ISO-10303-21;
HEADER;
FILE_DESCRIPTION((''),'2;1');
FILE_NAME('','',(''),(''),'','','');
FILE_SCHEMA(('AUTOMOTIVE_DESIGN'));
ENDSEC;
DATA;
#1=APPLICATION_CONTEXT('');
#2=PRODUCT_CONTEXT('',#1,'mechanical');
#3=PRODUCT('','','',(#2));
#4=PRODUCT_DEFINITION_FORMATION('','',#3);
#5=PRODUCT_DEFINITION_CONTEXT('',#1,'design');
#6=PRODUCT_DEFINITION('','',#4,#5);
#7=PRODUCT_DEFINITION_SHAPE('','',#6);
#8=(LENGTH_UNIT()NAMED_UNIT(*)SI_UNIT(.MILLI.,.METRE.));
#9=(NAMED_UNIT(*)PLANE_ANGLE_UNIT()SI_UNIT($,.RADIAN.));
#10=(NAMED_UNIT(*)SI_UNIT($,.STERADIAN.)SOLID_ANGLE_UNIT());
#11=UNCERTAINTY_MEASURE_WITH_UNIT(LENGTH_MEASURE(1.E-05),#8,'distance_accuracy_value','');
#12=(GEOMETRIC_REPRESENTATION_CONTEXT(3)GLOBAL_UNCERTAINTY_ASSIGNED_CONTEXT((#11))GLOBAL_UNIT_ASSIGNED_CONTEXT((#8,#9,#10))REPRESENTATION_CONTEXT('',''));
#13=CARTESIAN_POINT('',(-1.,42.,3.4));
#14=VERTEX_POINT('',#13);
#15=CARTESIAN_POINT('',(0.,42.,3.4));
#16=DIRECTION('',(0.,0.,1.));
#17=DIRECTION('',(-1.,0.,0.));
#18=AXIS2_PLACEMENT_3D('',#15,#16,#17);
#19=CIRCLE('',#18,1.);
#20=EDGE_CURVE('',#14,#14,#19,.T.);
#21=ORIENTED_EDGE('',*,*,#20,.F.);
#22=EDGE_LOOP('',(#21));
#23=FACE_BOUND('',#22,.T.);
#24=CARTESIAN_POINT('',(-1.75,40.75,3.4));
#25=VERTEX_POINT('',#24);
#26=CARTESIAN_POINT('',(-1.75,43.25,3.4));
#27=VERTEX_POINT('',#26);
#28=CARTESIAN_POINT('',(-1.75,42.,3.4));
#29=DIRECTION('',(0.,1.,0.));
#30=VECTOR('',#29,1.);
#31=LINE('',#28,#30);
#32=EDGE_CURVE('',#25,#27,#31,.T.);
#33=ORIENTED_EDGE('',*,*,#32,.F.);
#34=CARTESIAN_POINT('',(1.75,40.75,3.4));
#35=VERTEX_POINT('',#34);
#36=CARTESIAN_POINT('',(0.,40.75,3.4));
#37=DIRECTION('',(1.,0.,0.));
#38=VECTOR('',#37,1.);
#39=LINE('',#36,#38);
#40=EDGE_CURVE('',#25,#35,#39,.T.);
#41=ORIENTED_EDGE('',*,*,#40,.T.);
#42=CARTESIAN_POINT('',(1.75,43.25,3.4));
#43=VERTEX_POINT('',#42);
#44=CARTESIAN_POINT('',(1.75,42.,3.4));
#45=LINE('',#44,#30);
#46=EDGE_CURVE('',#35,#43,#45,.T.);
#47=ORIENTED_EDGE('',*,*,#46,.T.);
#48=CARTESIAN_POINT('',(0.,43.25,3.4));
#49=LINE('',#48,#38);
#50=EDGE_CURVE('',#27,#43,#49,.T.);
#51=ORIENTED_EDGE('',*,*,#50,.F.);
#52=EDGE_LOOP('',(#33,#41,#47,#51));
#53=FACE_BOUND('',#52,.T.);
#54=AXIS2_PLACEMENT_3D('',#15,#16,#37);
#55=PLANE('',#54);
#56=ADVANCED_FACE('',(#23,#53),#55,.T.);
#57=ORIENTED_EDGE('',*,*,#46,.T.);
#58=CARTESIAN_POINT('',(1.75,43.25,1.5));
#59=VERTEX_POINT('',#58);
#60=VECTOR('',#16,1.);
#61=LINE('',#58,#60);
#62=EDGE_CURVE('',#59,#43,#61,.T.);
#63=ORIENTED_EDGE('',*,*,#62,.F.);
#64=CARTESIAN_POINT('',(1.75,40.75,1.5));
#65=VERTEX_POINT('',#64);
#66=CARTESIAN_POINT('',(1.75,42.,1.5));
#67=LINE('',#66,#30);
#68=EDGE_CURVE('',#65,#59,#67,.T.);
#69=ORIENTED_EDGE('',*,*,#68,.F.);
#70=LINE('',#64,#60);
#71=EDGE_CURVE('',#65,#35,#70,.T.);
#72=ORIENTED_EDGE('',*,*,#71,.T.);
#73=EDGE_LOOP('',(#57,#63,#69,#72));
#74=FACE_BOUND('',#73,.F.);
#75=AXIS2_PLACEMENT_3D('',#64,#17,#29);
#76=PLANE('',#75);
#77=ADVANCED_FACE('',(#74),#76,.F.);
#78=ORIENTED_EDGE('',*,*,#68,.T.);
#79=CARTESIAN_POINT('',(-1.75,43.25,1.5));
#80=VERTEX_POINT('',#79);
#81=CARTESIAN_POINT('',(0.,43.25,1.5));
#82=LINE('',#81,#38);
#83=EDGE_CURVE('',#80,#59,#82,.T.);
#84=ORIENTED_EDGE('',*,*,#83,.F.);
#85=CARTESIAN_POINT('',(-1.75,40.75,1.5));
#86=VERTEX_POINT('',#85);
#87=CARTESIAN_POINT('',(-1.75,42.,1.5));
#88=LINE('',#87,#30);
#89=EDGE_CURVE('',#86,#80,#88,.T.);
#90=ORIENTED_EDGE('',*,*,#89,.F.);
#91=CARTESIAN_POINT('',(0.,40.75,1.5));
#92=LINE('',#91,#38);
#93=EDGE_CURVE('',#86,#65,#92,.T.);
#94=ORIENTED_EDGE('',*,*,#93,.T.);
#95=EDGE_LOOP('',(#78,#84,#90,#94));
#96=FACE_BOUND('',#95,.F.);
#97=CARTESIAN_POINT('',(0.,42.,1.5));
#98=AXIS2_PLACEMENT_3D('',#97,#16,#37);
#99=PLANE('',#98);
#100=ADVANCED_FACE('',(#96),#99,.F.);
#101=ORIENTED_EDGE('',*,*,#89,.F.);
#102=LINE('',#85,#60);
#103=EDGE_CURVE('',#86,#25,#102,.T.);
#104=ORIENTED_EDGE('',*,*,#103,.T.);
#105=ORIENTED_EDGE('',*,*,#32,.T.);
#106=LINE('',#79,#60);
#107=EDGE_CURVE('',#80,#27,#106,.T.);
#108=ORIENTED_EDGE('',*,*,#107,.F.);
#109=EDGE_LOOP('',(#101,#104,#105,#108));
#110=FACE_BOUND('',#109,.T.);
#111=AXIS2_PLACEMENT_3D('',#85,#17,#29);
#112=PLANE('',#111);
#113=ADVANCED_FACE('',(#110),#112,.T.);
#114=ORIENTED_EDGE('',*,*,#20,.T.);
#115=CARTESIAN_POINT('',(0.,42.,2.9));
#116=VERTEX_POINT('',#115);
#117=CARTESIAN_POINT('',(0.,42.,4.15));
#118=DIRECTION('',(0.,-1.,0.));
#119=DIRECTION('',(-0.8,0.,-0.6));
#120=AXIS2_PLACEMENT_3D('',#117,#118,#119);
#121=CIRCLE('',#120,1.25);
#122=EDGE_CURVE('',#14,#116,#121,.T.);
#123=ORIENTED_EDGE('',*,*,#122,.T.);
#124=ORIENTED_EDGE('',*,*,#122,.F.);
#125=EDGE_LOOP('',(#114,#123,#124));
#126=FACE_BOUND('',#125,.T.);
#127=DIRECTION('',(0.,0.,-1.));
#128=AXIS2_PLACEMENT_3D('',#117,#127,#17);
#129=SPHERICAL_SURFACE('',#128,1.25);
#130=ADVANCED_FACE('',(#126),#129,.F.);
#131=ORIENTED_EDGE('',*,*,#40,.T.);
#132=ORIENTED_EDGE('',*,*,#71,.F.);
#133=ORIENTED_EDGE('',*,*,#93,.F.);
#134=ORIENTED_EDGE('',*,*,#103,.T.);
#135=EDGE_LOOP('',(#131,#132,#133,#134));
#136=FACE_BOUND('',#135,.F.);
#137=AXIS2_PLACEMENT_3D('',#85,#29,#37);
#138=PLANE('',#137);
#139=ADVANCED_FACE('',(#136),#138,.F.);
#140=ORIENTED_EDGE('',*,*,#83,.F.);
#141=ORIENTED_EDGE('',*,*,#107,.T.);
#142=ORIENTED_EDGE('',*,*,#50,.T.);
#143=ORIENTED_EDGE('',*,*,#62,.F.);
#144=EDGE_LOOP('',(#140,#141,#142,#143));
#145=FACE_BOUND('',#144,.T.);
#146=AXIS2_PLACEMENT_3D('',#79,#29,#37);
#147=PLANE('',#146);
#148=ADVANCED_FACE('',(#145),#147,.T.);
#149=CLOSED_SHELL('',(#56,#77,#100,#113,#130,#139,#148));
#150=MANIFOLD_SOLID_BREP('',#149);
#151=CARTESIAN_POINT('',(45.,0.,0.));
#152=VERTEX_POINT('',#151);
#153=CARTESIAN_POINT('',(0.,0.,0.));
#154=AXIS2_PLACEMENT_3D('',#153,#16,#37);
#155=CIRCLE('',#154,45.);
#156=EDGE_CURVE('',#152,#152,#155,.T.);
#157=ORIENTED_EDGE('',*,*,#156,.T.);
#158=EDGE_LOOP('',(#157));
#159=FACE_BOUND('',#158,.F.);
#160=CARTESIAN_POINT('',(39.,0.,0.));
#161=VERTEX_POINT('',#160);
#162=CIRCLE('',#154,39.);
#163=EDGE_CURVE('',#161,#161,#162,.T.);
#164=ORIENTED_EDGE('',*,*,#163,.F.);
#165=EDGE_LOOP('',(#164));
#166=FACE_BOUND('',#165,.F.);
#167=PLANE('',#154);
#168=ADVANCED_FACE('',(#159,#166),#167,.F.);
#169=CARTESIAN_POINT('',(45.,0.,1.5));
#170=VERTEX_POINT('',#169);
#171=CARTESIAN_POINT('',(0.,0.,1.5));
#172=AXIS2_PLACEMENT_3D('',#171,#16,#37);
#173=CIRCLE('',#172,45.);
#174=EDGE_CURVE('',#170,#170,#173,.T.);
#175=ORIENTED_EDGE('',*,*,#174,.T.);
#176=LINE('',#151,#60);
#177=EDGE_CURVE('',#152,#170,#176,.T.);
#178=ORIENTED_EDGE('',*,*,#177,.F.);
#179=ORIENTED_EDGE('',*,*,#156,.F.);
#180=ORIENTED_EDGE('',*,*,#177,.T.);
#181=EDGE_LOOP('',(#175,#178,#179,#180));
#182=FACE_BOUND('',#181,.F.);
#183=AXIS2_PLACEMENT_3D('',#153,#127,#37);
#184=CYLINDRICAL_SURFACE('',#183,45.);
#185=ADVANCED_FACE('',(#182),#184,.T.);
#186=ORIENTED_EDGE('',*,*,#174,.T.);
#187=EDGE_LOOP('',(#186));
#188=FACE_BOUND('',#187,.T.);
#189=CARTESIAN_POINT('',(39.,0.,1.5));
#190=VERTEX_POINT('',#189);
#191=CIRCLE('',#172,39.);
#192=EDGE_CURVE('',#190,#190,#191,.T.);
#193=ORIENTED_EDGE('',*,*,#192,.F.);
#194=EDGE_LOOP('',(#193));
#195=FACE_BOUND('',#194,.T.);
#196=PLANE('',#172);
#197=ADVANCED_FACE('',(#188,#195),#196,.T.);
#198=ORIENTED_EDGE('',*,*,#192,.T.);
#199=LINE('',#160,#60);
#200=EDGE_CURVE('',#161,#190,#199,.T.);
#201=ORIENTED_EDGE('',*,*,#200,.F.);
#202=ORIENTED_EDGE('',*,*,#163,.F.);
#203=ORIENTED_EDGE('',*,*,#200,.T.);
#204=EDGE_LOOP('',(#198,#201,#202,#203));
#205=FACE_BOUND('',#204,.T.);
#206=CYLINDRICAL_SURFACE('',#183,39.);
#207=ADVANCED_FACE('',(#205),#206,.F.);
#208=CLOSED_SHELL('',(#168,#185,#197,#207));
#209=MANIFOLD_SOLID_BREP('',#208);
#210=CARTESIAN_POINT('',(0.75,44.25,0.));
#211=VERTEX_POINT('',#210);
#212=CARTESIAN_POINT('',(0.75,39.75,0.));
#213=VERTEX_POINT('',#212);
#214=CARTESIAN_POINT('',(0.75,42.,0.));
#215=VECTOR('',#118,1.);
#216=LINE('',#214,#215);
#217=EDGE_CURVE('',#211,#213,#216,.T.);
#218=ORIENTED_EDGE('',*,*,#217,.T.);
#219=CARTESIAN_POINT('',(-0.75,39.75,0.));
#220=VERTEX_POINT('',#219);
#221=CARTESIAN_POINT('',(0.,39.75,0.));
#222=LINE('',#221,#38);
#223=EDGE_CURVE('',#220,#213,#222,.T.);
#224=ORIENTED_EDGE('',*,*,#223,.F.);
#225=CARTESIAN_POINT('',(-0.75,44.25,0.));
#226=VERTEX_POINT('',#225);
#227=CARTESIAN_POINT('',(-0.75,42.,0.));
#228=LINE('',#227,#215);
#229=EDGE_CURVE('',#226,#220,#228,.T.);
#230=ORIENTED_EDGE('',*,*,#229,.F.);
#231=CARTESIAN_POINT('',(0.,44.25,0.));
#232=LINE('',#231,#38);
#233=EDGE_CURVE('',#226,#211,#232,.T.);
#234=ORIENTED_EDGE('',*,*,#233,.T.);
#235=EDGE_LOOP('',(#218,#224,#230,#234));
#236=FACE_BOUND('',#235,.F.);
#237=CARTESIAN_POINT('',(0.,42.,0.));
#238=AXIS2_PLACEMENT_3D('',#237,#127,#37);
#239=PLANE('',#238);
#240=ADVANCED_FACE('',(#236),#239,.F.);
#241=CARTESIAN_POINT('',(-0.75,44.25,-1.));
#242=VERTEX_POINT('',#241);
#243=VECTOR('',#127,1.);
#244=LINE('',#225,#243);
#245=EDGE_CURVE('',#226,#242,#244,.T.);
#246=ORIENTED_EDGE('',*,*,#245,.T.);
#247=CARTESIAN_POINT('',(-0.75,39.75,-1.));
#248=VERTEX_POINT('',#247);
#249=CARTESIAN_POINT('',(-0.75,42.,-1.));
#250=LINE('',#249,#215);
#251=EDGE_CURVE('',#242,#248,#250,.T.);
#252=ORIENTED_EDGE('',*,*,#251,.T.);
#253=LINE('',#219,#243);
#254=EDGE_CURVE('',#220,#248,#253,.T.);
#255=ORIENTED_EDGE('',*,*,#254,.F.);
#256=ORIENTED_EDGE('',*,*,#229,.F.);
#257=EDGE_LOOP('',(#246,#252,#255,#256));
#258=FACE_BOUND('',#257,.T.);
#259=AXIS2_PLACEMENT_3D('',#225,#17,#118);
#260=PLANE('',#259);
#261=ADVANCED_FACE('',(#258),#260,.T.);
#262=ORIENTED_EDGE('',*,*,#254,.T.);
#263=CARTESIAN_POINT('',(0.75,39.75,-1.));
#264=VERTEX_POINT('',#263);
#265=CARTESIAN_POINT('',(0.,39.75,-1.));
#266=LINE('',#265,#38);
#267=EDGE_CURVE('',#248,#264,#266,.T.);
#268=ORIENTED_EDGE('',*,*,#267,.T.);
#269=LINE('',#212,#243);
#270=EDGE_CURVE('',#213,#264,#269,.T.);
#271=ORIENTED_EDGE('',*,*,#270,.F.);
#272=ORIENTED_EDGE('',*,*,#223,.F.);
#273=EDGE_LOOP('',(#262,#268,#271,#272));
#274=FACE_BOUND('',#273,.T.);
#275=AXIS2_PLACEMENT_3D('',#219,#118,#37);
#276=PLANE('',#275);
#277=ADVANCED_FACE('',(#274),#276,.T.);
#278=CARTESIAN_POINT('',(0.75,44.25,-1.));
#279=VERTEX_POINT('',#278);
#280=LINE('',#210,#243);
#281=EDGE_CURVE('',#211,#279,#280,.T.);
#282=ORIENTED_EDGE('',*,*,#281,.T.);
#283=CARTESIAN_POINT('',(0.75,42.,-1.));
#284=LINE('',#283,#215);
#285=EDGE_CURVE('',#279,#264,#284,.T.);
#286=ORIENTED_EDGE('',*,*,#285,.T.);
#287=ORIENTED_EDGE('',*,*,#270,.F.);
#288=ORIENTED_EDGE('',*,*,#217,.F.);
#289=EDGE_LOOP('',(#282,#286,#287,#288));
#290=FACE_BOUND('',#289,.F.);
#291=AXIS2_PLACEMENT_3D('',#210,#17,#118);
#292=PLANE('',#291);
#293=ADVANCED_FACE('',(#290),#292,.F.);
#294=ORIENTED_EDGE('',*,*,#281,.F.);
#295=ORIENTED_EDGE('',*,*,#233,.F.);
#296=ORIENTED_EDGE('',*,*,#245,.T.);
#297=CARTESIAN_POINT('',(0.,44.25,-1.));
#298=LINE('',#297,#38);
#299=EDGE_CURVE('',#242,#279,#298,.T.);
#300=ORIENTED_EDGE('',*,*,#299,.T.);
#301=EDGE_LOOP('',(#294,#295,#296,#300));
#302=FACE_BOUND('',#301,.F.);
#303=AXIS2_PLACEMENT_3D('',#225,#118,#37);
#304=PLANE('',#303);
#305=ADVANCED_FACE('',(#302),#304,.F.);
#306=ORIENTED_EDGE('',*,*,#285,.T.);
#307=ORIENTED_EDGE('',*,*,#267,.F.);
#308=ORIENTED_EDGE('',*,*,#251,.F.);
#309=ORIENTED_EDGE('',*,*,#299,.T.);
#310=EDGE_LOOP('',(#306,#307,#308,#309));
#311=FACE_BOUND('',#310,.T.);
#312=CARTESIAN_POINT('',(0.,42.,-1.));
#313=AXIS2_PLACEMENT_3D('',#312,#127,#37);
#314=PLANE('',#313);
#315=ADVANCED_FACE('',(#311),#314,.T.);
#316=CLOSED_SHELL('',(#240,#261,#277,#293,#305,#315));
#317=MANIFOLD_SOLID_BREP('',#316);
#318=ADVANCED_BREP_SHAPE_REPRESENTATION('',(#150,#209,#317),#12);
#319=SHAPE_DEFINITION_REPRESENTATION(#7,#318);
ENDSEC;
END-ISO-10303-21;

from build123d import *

# Parameters (mm, degrees)
F0_R     = 45
F0_R_2   = 39
F1_DEPTH = 1.5
F2_W     = 3.5
F2_H     = 2.5
F3_DEPTH = 1.9
F8_W     = 1.5
F8_H     = 4.5
F9_DEPTH = 1


with BuildPart() as f1:
    # F0 (on Top) → F1 (new body)
    with BuildSketch(Plane.XY):
        Circle(F0_R)
        Circle(F0_R_2, mode=Mode.SUBTRACT)
    extrude(amount=F1_DEPTH)


with BuildPart() as f3:
    # F2 (on face) → F3 (new body)
    with BuildSketch(Plane.XY.offset(1.5)):
        with Locations((0, 42)):
            Rectangle(F2_W, F2_H)
    extrude(amount=F3_DEPTH)

    # F6 (on plane+point) → F7 (revolve, cut)
    with BuildSketch(Plane.XZ.offset(-42)):
        with BuildLine():
            Line((0, 3.4), (-1, 3.4))
            ThreePointArc((-1, 3.4), (-0.5590169944, 3.0319660113), (0, 2.9))
            Line((0, 2.9), (0, 3.4))
        make_face()
    revolve(axis=Axis((0, 42, 3.15), (0, 0, 1)), mode=Mode.SUBTRACT)


with BuildPart() as f9:
    # F8 (on face) → F9 (new body)
    with BuildSketch(Plane(origin=(0, 0, 0), x_dir=(1, 0, 0), z_dir=(0, 0, -1))):
        with Locations((0, -42)):
            Rectangle(F8_W, F8_H)
    extrude(amount=F9_DEPTH)


solid = Compound([f1.part, f3.part, f9.part])
